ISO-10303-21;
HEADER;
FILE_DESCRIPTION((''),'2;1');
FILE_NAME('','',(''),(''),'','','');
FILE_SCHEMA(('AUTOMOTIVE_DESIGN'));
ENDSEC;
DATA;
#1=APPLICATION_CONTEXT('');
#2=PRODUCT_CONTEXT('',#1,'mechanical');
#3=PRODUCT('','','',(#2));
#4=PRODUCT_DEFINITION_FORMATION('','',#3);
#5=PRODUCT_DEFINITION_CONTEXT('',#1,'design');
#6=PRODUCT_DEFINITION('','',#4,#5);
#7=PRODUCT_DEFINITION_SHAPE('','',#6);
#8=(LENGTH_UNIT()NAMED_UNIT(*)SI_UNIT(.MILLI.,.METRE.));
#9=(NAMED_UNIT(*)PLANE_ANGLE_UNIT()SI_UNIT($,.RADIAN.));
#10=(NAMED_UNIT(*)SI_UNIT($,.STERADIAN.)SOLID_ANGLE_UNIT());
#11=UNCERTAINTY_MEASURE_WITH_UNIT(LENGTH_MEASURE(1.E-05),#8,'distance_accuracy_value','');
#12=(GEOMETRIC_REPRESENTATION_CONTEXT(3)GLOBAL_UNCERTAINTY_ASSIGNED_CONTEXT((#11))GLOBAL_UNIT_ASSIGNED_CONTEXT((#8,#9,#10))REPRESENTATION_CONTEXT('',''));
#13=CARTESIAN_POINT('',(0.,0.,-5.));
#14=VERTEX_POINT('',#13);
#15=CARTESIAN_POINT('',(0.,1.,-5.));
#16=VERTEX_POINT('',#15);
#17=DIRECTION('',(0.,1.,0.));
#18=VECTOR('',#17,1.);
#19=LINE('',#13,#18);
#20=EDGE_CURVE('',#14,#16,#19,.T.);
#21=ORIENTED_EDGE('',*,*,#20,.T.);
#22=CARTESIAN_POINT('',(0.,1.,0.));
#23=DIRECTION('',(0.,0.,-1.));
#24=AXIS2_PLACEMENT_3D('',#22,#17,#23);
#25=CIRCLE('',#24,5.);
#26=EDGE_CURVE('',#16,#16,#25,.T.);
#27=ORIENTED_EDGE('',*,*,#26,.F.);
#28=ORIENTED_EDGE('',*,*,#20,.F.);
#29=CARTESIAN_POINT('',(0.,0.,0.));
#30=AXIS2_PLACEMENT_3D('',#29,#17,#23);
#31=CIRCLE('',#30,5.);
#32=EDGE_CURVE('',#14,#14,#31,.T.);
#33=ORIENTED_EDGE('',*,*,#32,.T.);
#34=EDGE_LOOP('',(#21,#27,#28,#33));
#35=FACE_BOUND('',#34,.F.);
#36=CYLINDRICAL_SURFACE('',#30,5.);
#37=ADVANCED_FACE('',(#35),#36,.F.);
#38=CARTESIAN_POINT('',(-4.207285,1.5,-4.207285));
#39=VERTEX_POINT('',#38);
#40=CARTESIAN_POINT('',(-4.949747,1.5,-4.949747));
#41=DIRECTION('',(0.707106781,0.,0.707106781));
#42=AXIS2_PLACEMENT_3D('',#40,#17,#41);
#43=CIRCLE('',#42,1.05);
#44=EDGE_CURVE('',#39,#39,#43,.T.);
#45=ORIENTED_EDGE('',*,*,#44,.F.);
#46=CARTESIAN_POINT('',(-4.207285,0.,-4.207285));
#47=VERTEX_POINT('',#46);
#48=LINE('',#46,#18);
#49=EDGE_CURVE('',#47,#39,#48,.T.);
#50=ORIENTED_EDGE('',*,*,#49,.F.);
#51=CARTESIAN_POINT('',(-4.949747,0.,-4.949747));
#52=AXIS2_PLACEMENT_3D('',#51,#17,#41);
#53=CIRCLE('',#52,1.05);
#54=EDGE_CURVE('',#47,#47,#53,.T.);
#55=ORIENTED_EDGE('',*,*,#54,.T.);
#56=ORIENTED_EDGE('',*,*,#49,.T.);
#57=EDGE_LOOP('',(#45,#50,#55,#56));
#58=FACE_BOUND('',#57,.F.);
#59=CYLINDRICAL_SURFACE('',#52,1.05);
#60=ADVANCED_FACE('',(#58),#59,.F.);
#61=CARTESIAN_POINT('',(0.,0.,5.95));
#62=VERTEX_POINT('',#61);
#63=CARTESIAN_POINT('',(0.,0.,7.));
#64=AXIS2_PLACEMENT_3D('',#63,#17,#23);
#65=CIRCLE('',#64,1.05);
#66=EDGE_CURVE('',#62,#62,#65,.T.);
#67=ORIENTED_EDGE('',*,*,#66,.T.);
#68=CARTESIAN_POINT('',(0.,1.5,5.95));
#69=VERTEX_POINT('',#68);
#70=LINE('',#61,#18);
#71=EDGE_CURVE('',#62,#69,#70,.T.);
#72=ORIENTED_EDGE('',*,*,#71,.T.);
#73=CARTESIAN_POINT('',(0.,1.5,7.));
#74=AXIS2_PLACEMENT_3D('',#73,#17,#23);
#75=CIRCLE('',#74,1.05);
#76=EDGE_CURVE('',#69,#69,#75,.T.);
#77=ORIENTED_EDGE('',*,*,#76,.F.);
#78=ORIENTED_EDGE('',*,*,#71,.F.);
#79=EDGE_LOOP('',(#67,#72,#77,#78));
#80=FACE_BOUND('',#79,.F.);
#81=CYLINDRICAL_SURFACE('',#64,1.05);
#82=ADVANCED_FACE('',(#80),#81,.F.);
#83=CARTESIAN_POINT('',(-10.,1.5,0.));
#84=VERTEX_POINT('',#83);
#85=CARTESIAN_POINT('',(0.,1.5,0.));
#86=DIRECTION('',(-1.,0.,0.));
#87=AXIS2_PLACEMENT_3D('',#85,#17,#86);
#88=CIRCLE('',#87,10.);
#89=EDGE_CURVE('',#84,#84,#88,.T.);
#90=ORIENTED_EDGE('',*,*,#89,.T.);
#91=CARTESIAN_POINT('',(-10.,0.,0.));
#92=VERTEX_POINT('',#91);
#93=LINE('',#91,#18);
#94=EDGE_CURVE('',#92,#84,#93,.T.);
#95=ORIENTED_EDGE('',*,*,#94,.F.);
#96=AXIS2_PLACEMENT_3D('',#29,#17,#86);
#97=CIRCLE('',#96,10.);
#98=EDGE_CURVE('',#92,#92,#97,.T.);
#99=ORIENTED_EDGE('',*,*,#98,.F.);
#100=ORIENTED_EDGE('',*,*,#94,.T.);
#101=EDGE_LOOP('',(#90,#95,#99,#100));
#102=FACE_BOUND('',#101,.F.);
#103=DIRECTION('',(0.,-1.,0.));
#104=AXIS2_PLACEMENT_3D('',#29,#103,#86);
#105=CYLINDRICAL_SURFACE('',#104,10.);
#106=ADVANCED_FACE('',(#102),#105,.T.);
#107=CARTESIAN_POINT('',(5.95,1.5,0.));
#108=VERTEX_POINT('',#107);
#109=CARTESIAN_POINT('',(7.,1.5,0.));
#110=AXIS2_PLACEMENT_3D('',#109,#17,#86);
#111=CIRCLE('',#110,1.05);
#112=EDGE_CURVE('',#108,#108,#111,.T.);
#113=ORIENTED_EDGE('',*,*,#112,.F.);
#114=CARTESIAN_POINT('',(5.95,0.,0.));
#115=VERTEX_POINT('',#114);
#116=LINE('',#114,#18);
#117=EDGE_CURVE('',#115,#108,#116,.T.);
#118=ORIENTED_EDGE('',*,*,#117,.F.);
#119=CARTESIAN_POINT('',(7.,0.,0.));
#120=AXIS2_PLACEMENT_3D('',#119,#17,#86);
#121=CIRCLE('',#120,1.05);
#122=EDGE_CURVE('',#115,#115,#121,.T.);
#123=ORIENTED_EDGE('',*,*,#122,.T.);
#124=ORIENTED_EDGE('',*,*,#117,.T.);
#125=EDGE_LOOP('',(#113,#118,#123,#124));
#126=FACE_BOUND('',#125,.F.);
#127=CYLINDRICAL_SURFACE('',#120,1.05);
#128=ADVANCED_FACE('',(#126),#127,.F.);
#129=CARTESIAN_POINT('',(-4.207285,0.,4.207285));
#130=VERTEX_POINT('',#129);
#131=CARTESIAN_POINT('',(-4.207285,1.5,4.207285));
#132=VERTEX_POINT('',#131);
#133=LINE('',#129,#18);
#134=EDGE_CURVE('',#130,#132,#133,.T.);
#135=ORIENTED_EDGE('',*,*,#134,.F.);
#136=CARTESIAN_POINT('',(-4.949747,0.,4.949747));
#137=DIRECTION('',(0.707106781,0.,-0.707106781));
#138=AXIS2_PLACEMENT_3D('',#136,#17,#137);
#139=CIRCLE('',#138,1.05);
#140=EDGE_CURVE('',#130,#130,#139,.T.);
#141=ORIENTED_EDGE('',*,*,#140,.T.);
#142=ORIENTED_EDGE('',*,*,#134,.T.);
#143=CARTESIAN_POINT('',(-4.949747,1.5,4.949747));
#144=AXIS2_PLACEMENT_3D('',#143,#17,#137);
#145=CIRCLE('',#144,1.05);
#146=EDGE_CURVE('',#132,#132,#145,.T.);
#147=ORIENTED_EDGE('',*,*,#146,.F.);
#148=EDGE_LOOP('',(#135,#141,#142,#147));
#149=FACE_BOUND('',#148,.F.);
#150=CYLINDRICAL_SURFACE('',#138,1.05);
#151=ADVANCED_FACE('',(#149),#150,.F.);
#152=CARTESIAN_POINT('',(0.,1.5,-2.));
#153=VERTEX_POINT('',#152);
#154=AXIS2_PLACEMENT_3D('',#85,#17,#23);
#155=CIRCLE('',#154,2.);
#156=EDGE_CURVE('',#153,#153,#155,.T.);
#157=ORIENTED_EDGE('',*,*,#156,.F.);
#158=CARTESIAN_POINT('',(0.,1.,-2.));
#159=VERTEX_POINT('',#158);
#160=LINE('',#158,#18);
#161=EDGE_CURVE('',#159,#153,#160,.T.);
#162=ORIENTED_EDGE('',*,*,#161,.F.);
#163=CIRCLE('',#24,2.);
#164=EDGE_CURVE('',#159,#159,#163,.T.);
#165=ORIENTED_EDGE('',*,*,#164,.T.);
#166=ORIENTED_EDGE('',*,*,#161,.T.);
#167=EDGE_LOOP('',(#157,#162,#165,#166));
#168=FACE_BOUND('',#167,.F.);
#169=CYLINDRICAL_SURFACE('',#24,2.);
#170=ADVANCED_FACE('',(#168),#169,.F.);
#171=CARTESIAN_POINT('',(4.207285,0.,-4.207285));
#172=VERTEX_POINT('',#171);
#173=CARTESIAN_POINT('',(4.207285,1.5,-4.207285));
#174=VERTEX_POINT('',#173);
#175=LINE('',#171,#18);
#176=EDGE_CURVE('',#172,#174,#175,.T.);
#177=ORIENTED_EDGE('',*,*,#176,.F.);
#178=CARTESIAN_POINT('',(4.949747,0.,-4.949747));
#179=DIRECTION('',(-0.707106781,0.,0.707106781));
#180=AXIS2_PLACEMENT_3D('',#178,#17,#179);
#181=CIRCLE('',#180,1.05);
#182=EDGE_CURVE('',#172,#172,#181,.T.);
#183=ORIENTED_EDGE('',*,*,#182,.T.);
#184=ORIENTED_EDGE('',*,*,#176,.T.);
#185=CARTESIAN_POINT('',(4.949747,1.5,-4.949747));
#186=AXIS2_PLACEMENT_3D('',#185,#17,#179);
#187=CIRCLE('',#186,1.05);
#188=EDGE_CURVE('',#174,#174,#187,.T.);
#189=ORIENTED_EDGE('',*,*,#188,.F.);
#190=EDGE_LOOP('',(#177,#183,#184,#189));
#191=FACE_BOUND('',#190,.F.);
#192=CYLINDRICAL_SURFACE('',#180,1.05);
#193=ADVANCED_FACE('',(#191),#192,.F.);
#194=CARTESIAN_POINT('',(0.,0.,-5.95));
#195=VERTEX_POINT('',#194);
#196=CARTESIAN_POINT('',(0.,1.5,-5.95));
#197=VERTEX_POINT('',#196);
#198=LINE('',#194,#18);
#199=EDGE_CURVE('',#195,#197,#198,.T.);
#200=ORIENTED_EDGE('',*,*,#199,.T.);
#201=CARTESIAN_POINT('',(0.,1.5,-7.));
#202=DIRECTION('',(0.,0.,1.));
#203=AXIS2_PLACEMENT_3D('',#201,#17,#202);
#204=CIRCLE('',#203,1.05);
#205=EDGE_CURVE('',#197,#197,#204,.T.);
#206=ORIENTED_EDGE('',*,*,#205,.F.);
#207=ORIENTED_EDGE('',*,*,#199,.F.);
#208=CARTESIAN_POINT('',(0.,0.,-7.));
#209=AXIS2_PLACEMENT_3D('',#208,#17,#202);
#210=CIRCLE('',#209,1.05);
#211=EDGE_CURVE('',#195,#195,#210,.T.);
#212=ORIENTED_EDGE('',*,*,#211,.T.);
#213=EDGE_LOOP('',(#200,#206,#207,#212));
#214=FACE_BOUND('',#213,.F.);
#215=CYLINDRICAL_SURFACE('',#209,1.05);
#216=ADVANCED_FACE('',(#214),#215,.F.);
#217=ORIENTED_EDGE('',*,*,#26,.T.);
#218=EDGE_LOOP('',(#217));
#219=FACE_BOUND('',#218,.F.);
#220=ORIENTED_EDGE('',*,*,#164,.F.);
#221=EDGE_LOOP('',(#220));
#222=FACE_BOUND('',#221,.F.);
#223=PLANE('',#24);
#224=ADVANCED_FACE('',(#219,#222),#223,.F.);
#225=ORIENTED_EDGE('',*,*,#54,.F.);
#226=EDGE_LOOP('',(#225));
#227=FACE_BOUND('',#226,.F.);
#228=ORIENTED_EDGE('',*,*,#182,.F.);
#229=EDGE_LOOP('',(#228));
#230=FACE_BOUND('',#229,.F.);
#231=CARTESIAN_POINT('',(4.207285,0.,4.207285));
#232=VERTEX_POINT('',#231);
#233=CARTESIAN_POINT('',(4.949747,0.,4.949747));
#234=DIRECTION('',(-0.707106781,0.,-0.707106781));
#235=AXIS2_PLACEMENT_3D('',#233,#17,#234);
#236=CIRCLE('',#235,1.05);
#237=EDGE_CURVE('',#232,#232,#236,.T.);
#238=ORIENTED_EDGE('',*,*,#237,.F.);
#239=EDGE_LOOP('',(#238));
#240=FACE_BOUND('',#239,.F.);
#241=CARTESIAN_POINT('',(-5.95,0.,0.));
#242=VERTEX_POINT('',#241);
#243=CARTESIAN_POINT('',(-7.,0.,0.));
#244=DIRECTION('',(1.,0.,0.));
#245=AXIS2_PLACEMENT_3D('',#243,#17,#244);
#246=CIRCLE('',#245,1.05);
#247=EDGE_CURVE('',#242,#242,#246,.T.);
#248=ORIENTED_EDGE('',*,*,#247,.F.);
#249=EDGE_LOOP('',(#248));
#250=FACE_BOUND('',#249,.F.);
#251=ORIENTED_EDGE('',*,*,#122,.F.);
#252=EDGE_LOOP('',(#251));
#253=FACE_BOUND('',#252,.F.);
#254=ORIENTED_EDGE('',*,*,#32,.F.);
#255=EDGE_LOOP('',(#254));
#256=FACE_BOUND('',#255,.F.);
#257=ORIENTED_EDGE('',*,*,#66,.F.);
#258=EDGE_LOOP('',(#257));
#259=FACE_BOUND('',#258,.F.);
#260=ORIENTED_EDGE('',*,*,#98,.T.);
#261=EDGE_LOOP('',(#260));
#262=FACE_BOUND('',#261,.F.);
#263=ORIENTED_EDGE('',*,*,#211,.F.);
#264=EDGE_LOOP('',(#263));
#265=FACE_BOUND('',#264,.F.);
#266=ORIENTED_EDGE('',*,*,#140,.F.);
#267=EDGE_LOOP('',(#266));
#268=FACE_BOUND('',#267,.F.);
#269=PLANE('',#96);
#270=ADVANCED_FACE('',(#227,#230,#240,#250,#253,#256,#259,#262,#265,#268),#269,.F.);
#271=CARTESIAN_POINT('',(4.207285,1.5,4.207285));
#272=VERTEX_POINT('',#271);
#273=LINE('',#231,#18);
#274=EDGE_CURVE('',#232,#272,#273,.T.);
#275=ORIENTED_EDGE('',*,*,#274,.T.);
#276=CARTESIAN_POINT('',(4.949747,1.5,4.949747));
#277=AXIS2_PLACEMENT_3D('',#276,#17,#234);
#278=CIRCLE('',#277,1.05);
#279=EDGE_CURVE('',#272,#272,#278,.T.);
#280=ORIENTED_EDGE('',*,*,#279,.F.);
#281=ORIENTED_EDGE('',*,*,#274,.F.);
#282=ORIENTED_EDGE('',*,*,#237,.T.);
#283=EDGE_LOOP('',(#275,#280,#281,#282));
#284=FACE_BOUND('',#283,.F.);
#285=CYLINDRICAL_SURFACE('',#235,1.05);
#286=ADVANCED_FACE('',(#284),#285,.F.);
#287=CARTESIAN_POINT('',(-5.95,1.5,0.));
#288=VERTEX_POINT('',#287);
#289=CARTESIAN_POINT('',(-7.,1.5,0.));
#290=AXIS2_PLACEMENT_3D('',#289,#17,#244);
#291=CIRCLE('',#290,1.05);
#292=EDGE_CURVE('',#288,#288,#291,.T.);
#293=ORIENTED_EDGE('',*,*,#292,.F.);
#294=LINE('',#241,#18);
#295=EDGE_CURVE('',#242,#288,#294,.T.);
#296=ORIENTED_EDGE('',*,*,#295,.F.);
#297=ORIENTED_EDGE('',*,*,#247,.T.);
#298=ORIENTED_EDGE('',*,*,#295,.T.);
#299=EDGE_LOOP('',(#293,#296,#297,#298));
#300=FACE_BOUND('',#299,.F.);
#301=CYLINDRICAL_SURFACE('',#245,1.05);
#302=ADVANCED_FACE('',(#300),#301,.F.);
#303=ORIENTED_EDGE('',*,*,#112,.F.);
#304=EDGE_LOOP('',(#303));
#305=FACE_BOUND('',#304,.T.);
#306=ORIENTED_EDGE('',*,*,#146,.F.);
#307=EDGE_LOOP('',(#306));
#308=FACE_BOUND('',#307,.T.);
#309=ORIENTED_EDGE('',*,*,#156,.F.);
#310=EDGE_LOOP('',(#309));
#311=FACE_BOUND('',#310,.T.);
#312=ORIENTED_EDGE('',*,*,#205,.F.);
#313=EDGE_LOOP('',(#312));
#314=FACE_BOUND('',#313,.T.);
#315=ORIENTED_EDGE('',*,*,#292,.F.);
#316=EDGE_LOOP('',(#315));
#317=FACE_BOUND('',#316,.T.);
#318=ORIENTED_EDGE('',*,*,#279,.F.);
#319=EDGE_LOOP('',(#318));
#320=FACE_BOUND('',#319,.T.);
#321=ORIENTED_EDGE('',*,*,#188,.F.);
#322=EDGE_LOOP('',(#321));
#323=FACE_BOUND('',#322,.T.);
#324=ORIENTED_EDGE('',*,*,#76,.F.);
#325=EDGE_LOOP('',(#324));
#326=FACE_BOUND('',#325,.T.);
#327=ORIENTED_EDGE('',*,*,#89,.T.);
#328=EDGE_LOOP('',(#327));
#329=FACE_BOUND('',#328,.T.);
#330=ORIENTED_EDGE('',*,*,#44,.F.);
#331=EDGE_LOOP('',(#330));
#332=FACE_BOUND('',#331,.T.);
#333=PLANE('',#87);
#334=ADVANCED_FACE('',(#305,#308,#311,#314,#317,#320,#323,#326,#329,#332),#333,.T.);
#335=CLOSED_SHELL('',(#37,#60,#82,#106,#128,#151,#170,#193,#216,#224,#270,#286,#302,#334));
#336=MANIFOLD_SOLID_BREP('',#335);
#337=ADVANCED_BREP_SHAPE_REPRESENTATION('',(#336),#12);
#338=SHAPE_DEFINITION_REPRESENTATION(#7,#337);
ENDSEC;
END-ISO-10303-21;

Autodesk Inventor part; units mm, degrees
ref_plane "YZ Plane" through (0, 0, 0) normal (1, 0, 0) x (0, 1, 0)
ref_plane "XZ Plane" through (0, 0, 0) normal (0, 1, 0) x (-1, 0, 0)
ref_plane "XY Plane" through (0, 0, 0) normal (0, 0, 1) x (1, 0, 0)
sketch "スケッチ1" plane through (0, 0, 0) normal (0, 1, 0) x (-1, 0, 0)
  circle A0 centre (0, 0) radius 10
  dimension "d0" = 20
extrude "押し出し2" add sketch "スケッチ1" along normal blind 1.5
sketch "スケッチ3" plane through (0, 0, 0) normal (0, -1, 0) x (1, 0, 0)
  circle A0 centre (0, 0) radius 10 projected
  circle A1 centre (0, 0) radius 2
  dimension "d21" = 4
hole "穴2" at (0, 0, 0) direction (0, 1, 0) diameter 4 end through all counterbore diameter 10 counterbore depth 1
sketch "スケッチ4" plane through (0, 0, 0) normal (0, -1, 0) x (1, 0, 0)
  circle A0 centre (0, 0) radius 5 projected
  circle A1 centre (0, 7) radius 1
  dimension "d30" = 0
  dimension "d31" = 7
  dimension "d32" = 2
hole "穴3" at (0, 0, 7) direction (0, 1, 0) diameter 2.1 end through all
pattern_circular "円形状パターン2" count 8 over 360 about axis through (0, 0.5, 0) along (0, -1, 0) of "穴3"
properties part number "13" material "アセタール樹脂、白"
